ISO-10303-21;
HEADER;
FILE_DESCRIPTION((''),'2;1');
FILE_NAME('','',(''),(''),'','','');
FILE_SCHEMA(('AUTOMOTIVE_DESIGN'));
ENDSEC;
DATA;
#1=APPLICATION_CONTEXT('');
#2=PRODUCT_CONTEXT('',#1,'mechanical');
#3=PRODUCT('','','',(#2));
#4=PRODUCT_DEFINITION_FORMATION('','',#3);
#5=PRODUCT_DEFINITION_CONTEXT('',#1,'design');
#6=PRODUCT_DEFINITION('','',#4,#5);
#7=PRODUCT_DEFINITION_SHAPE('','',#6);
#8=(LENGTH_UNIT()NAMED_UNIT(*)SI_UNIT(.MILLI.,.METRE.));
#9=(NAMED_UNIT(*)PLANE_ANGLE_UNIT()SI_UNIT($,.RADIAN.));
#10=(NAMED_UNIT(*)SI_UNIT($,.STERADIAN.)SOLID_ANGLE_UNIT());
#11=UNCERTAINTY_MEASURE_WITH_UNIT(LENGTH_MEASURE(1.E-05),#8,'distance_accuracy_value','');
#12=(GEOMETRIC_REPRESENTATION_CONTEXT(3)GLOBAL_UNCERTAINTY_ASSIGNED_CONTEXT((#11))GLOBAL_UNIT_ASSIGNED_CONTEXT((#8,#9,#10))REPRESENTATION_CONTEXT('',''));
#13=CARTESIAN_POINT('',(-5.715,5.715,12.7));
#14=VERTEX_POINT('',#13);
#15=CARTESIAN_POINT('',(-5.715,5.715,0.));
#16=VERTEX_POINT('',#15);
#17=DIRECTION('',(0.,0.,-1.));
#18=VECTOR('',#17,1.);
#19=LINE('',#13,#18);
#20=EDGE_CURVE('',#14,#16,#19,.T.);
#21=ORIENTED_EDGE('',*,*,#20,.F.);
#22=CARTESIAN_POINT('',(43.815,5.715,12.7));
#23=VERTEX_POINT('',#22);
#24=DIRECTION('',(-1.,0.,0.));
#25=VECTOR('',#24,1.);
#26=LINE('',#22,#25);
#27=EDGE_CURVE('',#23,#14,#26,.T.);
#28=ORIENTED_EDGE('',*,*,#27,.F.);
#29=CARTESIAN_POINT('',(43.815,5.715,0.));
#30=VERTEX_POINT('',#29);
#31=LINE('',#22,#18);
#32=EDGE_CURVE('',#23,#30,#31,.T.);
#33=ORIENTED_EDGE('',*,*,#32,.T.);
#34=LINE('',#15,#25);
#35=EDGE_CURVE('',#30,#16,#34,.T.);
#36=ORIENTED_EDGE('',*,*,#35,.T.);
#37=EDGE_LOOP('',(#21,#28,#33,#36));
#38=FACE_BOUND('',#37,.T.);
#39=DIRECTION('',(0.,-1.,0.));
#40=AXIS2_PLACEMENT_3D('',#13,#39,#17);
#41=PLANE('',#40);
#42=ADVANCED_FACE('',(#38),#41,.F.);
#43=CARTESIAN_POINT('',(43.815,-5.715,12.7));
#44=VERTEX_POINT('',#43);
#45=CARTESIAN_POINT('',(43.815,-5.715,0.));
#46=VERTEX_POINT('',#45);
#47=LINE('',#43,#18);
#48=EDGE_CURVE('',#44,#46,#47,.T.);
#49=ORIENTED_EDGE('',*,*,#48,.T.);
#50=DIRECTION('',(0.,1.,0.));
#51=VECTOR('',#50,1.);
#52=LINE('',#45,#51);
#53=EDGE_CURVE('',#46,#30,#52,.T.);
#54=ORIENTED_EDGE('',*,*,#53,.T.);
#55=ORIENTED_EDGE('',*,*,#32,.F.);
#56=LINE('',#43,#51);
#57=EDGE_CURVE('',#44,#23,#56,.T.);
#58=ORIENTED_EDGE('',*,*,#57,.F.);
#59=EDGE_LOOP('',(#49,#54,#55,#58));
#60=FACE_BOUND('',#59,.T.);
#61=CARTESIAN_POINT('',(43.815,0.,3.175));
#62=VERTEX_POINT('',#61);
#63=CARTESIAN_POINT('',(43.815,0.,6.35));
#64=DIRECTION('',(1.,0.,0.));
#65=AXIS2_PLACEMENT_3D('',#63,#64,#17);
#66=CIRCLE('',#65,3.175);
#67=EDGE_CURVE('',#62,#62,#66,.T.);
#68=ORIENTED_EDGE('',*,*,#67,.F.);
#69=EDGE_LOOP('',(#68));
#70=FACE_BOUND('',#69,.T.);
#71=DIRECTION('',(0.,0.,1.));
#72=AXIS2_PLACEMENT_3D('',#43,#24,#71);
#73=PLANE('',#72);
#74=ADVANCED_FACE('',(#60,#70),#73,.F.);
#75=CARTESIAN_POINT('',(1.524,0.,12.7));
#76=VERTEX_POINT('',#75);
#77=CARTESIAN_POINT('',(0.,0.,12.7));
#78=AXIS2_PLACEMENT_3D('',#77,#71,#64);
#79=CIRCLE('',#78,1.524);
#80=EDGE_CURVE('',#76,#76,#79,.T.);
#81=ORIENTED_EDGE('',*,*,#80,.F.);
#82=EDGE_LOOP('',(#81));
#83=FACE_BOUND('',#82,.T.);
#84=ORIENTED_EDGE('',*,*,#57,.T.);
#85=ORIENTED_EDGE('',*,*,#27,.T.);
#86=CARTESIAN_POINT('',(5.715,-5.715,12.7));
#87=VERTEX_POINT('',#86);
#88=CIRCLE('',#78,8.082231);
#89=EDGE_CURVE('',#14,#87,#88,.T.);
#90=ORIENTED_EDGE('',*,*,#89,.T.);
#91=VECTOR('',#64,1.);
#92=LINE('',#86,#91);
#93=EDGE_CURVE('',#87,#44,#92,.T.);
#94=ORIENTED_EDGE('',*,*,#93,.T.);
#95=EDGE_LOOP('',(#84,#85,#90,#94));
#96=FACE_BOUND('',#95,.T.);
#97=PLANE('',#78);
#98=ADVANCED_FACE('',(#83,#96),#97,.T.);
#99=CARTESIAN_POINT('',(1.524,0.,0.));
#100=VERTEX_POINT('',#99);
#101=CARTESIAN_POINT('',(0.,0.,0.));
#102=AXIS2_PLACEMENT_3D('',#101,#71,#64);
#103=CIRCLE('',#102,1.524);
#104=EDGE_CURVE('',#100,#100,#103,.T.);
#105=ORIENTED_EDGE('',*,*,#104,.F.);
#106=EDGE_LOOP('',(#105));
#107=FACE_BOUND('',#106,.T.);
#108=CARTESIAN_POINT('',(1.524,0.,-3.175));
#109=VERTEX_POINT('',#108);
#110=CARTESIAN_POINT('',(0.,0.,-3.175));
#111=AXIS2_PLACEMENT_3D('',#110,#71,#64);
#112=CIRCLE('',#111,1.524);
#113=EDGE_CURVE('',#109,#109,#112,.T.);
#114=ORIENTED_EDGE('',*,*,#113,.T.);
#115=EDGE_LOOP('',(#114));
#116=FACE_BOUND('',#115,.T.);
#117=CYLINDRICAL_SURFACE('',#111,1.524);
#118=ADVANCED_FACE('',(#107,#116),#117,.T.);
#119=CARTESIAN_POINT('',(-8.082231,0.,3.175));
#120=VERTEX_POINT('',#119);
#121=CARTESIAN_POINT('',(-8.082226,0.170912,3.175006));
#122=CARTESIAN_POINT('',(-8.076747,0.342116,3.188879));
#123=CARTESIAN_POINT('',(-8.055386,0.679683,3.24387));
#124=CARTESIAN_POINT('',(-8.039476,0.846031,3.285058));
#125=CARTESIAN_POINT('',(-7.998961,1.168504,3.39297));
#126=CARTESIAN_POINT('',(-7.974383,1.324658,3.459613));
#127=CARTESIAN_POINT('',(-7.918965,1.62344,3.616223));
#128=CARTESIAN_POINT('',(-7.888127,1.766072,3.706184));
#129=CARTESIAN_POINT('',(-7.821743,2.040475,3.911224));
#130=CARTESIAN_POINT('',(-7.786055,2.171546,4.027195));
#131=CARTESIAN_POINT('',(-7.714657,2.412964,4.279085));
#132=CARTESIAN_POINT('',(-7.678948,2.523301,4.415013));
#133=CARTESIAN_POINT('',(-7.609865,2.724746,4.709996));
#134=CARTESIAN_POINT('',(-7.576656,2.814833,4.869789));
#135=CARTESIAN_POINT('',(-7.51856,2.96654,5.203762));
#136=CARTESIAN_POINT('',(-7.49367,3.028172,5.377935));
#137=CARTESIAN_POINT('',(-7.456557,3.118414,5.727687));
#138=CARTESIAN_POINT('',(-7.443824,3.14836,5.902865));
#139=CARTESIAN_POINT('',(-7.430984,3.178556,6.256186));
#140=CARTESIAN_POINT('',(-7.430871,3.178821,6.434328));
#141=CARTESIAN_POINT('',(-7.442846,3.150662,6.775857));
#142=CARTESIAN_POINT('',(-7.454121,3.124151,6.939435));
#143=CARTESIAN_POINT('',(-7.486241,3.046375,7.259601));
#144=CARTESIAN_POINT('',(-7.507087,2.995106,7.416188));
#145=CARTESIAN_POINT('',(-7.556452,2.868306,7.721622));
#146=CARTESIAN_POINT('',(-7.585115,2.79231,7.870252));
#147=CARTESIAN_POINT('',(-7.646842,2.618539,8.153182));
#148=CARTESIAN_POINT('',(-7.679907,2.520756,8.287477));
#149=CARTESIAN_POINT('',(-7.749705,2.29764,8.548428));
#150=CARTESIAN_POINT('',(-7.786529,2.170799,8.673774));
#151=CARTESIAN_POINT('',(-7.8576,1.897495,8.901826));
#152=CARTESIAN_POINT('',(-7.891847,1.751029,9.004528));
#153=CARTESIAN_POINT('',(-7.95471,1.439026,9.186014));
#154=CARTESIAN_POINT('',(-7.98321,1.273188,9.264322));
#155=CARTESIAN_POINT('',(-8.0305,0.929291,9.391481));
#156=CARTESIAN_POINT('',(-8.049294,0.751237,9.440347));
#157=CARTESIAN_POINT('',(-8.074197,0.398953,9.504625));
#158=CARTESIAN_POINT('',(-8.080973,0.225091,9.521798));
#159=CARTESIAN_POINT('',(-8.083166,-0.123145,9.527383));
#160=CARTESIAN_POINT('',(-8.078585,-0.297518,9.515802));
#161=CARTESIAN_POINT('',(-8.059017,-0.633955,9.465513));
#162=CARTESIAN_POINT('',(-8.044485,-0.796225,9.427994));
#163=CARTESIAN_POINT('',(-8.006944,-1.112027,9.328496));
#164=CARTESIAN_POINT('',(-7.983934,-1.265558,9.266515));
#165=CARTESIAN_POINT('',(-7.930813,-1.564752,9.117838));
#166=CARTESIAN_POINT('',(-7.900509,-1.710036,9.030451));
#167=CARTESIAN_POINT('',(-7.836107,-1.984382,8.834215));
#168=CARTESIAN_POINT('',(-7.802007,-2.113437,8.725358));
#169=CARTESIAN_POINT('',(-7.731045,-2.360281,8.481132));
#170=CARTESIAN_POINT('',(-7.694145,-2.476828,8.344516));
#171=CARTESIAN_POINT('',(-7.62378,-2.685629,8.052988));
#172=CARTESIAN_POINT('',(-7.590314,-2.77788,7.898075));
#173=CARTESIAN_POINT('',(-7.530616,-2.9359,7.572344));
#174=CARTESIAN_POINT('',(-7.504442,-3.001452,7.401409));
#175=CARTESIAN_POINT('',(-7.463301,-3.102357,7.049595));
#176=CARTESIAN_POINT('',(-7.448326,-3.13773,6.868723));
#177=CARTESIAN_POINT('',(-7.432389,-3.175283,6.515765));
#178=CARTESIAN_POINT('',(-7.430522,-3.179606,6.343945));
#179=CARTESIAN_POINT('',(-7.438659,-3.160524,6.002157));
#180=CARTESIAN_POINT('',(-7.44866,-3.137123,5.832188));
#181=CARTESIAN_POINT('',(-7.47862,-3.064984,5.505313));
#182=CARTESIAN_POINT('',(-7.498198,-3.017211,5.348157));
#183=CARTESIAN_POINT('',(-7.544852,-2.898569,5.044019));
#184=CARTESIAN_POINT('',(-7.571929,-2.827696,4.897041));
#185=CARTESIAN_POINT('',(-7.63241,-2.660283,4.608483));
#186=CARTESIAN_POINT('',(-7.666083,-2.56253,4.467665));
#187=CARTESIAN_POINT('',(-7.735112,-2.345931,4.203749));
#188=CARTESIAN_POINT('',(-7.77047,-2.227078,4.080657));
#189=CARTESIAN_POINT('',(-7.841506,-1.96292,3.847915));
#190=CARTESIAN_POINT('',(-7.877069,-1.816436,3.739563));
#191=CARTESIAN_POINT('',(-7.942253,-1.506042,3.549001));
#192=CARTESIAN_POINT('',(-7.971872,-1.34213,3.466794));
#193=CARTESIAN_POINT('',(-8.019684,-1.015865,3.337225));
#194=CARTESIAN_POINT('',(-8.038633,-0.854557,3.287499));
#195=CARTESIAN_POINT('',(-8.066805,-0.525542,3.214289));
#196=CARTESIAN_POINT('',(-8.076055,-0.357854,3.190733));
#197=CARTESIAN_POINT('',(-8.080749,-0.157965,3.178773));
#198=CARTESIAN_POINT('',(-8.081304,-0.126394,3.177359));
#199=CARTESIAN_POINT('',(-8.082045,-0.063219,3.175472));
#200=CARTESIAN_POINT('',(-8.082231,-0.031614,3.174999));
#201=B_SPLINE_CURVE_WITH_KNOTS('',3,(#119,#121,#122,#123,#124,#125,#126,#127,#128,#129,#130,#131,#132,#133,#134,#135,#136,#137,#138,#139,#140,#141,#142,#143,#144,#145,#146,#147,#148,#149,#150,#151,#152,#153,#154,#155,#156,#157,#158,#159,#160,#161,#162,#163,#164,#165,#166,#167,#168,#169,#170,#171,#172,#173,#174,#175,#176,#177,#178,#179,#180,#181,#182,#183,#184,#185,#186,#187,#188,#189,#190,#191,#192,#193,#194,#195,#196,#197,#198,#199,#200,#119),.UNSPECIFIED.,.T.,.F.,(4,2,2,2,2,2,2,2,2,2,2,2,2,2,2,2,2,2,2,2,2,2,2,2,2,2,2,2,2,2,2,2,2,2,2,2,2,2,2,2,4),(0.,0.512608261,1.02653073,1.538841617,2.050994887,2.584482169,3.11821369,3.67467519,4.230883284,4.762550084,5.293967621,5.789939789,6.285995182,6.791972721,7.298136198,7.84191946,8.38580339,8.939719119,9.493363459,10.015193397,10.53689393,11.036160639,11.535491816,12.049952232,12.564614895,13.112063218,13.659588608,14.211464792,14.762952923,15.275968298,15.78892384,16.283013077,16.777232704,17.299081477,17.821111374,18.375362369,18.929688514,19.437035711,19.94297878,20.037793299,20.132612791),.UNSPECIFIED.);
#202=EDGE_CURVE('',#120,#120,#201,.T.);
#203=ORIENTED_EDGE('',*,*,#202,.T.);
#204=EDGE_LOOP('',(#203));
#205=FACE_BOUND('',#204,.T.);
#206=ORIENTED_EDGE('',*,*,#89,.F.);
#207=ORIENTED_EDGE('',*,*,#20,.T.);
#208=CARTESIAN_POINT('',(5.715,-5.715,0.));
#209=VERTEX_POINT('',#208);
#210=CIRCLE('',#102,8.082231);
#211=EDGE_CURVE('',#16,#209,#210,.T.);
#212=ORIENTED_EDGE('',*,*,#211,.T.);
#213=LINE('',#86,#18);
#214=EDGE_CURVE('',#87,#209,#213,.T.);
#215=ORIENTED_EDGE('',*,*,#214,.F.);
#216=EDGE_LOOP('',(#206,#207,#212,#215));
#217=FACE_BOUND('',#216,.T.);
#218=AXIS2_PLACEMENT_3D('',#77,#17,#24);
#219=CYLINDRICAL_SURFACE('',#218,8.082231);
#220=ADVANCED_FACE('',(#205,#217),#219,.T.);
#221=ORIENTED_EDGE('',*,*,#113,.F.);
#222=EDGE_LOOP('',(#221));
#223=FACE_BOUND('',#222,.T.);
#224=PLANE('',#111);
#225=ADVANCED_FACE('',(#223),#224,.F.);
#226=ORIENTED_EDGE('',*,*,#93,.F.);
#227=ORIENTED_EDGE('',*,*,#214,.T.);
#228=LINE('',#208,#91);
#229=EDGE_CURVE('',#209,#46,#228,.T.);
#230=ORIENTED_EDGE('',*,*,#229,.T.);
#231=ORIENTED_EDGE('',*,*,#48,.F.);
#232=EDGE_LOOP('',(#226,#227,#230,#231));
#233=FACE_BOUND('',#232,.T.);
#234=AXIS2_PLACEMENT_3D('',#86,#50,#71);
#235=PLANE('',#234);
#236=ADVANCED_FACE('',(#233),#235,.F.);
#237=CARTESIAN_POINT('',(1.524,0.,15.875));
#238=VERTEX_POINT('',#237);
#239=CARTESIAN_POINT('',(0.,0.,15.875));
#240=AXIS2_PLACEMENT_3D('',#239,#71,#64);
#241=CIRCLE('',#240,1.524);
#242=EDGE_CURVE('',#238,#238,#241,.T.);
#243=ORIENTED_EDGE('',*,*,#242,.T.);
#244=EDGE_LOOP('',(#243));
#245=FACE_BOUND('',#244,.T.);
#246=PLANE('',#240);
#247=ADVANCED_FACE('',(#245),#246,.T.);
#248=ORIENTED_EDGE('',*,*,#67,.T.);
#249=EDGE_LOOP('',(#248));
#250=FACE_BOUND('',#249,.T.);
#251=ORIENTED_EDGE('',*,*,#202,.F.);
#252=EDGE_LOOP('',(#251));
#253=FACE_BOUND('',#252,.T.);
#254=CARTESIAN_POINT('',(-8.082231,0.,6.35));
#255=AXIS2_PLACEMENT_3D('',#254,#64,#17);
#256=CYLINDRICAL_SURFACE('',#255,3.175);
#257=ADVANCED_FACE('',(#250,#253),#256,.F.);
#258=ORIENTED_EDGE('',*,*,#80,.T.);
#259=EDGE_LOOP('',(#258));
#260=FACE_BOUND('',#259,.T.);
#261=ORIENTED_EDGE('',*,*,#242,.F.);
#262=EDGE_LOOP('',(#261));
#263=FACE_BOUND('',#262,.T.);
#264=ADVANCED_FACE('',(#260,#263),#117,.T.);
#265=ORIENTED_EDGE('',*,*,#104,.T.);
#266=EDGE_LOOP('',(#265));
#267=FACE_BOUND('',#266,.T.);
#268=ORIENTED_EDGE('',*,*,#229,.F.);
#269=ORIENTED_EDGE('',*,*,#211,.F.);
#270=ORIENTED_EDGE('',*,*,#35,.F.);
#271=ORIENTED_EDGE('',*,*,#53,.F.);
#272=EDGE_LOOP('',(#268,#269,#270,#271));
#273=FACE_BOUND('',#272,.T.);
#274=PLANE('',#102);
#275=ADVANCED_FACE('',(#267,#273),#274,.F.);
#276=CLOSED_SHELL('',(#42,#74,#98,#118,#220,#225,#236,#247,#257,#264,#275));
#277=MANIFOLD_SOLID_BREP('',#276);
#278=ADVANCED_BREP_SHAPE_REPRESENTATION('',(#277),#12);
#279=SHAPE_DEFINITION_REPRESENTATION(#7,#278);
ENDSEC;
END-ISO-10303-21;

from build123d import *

# Parameters (mm, degrees)
BOSS_EXTRUDE1_DEPTH      = 12.7
BOSS_EXTRUDE2_DEPTH      = 3.175
BOSS_EXTRUDE2_DEPTH_BACK = 15.875
SKETCH3_R                = 1.524
SKETCH2_R                = 3.175
CUT_EXTRUDE1_DEPTH       = 55.869487053


with BuildPart() as part:
    # Sketch1 → Boss-Extrude1 (new body)
    with BuildSketch(Plane.XY):
        with BuildLine():
            Line((5.715, -5.715), (43.815, -5.715))
            Line((43.815, -5.715), (43.815, 5.715))
            Line((43.815, 5.715), (5.715, 5.715))
            Line((5.715, 5.715), (-5.715, 5.715))
            ThreePointArc((-5.715, 5.715), (-5.715, -5.715), (5.715, -5.715))
        make_face()
    extrude(amount=BOSS_EXTRUDE1_DEPTH)

    # Sketch3 → Boss-Extrude2 (add, two sides: drawn at the far end of the back side and taken through both)
    with BuildSketch(Plane.XY.offset(12.7).offset(-BOSS_EXTRUDE2_DEPTH_BACK)):
        Circle(SKETCH3_R)
    extrude(amount=BOSS_EXTRUDE2_DEPTH + BOSS_EXTRUDE2_DEPTH_BACK)

    # Sketch2 → Cut-Extrude1 (cut, through all)
    with BuildSketch(Plane(origin=(43.815, 0, 0), x_dir=(0, 0, -1), z_dir=(1, 0, 0))):
        with Locations((-6.35, 0)):
            Circle(SKETCH2_R)
    extrude(amount=-CUT_EXTRUDE1_DEPTH, mode=Mode.SUBTRACT)


solid = part.part
